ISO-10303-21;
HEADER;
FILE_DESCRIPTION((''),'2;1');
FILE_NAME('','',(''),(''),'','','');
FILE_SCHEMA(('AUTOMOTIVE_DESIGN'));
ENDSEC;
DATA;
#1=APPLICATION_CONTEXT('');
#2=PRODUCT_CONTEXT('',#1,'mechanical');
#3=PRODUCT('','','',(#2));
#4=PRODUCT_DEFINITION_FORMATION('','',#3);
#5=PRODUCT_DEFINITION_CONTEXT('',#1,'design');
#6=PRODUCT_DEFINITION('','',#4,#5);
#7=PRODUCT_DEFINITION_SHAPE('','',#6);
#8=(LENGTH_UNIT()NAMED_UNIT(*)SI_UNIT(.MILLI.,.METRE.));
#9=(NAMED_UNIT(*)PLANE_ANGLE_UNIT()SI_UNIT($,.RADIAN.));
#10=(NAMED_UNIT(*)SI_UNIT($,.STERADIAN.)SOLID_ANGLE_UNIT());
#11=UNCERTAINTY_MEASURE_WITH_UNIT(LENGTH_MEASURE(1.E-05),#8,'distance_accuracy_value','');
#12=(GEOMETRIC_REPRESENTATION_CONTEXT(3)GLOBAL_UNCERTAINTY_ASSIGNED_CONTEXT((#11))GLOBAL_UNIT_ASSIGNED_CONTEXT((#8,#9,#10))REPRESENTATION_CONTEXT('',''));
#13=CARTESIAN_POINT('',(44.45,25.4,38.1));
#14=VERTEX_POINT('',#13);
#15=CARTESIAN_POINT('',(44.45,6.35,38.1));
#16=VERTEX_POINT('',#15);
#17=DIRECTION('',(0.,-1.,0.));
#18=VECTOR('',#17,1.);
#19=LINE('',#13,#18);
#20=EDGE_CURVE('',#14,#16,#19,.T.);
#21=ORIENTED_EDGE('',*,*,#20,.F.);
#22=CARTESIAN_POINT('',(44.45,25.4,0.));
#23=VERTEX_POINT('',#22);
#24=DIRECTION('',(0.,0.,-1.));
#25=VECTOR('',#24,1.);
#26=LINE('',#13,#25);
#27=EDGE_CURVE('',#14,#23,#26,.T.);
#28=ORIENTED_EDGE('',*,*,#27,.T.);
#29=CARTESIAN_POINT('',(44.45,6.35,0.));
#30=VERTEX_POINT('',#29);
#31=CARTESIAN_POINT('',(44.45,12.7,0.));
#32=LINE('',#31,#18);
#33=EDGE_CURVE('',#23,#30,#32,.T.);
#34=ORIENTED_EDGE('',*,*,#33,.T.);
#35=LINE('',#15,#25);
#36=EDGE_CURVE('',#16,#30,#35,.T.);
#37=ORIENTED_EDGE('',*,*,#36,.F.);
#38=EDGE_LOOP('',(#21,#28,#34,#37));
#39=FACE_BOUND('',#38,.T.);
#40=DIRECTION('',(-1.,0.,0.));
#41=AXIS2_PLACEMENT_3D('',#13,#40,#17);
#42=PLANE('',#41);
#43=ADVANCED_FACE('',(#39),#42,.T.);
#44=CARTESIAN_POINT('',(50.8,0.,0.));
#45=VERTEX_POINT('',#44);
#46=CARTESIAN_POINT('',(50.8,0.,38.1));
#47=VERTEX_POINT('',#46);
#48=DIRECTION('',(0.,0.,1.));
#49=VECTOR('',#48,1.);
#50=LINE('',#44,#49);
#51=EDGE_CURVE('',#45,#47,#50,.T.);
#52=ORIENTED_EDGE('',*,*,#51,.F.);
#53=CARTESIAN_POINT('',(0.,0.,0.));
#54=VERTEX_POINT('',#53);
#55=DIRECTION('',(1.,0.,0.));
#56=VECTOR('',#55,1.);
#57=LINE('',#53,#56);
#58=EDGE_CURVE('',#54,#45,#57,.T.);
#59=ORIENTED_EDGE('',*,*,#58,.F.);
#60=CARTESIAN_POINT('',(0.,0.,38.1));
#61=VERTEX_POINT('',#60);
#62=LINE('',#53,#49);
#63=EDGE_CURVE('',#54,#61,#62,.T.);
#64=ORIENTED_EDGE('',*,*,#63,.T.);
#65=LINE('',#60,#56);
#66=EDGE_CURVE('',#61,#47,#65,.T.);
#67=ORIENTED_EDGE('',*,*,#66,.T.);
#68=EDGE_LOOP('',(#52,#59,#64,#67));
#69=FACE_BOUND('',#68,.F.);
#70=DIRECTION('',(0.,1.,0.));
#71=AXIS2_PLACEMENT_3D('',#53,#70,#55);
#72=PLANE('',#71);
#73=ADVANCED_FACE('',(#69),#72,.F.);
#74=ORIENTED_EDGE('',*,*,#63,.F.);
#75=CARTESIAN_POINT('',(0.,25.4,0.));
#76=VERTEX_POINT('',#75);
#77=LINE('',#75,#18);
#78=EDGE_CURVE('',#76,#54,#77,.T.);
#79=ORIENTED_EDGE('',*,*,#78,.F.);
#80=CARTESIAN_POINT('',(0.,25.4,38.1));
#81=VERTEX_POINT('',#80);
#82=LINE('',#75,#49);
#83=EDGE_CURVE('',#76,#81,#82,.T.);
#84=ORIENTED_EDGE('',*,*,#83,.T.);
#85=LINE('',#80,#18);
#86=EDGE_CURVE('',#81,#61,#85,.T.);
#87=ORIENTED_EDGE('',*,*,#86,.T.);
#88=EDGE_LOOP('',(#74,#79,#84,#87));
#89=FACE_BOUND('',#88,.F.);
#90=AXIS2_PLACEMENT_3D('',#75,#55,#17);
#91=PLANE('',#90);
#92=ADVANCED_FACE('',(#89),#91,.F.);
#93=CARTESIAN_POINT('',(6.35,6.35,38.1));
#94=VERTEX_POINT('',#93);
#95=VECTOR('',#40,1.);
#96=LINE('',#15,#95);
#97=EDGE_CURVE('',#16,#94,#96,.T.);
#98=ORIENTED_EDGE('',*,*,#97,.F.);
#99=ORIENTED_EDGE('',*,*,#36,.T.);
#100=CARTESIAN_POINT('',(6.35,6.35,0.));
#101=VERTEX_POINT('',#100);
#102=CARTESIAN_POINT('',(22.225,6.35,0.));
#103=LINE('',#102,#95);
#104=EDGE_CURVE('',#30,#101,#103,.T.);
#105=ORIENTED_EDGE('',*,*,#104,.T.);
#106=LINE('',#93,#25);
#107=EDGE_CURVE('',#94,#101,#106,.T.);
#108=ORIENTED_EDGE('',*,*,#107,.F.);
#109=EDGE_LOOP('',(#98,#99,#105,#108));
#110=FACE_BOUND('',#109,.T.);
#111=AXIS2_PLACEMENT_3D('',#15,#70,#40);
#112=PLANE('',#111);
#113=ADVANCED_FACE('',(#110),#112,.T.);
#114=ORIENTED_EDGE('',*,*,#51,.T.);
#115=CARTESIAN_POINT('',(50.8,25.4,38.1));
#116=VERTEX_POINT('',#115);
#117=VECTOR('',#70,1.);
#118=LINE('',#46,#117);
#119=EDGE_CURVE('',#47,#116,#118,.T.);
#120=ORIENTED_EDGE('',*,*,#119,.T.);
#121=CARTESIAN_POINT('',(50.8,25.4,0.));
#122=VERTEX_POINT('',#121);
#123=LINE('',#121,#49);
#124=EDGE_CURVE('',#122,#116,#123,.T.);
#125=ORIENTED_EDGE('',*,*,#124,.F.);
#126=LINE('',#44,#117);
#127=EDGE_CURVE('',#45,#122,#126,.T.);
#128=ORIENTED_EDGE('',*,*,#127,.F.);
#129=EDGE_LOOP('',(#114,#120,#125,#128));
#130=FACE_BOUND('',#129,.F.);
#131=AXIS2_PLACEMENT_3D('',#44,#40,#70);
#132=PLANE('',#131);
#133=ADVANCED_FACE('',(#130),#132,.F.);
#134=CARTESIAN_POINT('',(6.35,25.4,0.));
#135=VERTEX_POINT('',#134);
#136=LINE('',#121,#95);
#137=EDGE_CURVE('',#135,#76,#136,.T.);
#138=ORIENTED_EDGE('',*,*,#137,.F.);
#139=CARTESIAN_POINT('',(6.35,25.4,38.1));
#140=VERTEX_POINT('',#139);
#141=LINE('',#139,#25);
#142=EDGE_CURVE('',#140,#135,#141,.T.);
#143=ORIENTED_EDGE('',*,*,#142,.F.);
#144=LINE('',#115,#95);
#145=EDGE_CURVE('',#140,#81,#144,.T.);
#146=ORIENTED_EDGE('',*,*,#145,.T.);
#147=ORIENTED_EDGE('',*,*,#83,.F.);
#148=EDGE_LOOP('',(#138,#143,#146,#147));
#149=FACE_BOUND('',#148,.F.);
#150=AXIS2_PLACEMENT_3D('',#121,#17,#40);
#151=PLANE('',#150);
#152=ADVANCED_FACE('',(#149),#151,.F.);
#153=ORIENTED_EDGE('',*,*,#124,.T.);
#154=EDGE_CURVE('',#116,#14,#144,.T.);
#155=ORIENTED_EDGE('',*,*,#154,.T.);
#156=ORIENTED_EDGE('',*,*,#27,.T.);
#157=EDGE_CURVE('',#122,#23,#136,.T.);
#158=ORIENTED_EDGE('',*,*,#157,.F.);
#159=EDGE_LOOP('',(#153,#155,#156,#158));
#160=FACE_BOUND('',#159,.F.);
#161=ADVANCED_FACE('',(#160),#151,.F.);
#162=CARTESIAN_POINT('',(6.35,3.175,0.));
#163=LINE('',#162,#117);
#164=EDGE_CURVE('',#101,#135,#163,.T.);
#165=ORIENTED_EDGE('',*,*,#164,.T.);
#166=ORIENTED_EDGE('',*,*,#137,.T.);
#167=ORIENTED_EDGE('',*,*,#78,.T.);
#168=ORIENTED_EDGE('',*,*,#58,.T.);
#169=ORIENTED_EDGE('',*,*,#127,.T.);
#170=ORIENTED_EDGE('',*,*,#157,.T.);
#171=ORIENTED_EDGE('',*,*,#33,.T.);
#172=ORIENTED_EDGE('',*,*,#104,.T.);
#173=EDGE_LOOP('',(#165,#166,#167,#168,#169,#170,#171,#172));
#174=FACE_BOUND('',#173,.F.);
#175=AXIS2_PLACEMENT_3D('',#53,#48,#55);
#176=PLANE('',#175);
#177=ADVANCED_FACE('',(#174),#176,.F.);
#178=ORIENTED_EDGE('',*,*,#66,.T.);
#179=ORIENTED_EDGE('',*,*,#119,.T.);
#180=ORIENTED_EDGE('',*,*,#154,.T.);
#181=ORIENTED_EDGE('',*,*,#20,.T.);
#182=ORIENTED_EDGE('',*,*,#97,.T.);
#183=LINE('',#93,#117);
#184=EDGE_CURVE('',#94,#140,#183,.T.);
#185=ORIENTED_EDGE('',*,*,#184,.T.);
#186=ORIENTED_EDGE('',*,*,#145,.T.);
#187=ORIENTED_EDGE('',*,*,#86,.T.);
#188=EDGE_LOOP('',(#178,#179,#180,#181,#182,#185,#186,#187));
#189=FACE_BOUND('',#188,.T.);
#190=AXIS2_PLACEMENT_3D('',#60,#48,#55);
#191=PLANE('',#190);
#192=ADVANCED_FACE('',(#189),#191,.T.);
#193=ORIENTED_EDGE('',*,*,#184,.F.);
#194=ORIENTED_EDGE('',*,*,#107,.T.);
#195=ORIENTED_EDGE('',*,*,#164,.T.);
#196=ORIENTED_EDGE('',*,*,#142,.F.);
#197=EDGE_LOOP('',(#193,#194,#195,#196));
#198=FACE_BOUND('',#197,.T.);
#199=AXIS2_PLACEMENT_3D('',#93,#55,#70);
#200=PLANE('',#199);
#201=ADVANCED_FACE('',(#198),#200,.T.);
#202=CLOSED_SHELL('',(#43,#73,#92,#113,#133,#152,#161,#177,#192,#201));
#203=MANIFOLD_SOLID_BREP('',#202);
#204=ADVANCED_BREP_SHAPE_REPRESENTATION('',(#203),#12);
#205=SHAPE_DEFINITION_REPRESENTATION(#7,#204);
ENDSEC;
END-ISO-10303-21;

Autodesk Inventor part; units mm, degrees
ref_plane "YZ Plane" through (0, 0, 0) normal (1, 0, 0) x (0, 1, 0)
ref_plane "XZ Plane" through (0, 0, 0) normal (0, 1, 0) x (-1, 0, 0)
ref_plane "XY Plane" through (0, 0, 0) normal (0, 0, 1) x (1, 0, 0)
sketch "Sketch1" plane through (0, 0, 0) normal (0, 0, 1) x (1, 0, 0)
  line L0 (0, 0) -> (50.8, 0)
  line L1 (50.8, 0) -> (50.8, 25.4)
  line L2 (50.8, 25.4) -> (0, 25.4)
  line L3 (0, 25.4) -> (0, 0)
  dimension "d0" = 50.8
  dimension "d1" = 25.4
extrude "Extrusion1" add sketch "Sketch1" along normal blind 38.1
sketch "Sketch2" plane through (0, 0, 38.1) normal (0, 0, 1) x (1, 0, 0)
  line L0 (0, 0) -> (50.8, 0) projected
  line L1 (50.8, 0) -> (50.8, 25.4) projected
  line L2 (50.8, 25.4) -> (0, 25.4) projected
  line L3 (0, 25.4) -> (0, 0) projected
  line L4 (6.35, 25.4) -> (44.45, 25.4)
  line L5 (44.45, 25.4) -> (44.45, 6.35)
  line L6 (44.45, 6.35) -> (6.35, 6.35)
  line L7 (6.35, 6.35) -> (6.35, 25.4)
  dimension "d4" = 6.35
  dimension "d5" = 6.35
  dimension "d6" = 6.35
extrude "Extrusion2" cut sketch "Sketch2" against normal through all contours L2 L5 L6 L7
equation "\"d5\" = d4"
equation "\"d6\" = d4"
properties part number "To Next Termination"
